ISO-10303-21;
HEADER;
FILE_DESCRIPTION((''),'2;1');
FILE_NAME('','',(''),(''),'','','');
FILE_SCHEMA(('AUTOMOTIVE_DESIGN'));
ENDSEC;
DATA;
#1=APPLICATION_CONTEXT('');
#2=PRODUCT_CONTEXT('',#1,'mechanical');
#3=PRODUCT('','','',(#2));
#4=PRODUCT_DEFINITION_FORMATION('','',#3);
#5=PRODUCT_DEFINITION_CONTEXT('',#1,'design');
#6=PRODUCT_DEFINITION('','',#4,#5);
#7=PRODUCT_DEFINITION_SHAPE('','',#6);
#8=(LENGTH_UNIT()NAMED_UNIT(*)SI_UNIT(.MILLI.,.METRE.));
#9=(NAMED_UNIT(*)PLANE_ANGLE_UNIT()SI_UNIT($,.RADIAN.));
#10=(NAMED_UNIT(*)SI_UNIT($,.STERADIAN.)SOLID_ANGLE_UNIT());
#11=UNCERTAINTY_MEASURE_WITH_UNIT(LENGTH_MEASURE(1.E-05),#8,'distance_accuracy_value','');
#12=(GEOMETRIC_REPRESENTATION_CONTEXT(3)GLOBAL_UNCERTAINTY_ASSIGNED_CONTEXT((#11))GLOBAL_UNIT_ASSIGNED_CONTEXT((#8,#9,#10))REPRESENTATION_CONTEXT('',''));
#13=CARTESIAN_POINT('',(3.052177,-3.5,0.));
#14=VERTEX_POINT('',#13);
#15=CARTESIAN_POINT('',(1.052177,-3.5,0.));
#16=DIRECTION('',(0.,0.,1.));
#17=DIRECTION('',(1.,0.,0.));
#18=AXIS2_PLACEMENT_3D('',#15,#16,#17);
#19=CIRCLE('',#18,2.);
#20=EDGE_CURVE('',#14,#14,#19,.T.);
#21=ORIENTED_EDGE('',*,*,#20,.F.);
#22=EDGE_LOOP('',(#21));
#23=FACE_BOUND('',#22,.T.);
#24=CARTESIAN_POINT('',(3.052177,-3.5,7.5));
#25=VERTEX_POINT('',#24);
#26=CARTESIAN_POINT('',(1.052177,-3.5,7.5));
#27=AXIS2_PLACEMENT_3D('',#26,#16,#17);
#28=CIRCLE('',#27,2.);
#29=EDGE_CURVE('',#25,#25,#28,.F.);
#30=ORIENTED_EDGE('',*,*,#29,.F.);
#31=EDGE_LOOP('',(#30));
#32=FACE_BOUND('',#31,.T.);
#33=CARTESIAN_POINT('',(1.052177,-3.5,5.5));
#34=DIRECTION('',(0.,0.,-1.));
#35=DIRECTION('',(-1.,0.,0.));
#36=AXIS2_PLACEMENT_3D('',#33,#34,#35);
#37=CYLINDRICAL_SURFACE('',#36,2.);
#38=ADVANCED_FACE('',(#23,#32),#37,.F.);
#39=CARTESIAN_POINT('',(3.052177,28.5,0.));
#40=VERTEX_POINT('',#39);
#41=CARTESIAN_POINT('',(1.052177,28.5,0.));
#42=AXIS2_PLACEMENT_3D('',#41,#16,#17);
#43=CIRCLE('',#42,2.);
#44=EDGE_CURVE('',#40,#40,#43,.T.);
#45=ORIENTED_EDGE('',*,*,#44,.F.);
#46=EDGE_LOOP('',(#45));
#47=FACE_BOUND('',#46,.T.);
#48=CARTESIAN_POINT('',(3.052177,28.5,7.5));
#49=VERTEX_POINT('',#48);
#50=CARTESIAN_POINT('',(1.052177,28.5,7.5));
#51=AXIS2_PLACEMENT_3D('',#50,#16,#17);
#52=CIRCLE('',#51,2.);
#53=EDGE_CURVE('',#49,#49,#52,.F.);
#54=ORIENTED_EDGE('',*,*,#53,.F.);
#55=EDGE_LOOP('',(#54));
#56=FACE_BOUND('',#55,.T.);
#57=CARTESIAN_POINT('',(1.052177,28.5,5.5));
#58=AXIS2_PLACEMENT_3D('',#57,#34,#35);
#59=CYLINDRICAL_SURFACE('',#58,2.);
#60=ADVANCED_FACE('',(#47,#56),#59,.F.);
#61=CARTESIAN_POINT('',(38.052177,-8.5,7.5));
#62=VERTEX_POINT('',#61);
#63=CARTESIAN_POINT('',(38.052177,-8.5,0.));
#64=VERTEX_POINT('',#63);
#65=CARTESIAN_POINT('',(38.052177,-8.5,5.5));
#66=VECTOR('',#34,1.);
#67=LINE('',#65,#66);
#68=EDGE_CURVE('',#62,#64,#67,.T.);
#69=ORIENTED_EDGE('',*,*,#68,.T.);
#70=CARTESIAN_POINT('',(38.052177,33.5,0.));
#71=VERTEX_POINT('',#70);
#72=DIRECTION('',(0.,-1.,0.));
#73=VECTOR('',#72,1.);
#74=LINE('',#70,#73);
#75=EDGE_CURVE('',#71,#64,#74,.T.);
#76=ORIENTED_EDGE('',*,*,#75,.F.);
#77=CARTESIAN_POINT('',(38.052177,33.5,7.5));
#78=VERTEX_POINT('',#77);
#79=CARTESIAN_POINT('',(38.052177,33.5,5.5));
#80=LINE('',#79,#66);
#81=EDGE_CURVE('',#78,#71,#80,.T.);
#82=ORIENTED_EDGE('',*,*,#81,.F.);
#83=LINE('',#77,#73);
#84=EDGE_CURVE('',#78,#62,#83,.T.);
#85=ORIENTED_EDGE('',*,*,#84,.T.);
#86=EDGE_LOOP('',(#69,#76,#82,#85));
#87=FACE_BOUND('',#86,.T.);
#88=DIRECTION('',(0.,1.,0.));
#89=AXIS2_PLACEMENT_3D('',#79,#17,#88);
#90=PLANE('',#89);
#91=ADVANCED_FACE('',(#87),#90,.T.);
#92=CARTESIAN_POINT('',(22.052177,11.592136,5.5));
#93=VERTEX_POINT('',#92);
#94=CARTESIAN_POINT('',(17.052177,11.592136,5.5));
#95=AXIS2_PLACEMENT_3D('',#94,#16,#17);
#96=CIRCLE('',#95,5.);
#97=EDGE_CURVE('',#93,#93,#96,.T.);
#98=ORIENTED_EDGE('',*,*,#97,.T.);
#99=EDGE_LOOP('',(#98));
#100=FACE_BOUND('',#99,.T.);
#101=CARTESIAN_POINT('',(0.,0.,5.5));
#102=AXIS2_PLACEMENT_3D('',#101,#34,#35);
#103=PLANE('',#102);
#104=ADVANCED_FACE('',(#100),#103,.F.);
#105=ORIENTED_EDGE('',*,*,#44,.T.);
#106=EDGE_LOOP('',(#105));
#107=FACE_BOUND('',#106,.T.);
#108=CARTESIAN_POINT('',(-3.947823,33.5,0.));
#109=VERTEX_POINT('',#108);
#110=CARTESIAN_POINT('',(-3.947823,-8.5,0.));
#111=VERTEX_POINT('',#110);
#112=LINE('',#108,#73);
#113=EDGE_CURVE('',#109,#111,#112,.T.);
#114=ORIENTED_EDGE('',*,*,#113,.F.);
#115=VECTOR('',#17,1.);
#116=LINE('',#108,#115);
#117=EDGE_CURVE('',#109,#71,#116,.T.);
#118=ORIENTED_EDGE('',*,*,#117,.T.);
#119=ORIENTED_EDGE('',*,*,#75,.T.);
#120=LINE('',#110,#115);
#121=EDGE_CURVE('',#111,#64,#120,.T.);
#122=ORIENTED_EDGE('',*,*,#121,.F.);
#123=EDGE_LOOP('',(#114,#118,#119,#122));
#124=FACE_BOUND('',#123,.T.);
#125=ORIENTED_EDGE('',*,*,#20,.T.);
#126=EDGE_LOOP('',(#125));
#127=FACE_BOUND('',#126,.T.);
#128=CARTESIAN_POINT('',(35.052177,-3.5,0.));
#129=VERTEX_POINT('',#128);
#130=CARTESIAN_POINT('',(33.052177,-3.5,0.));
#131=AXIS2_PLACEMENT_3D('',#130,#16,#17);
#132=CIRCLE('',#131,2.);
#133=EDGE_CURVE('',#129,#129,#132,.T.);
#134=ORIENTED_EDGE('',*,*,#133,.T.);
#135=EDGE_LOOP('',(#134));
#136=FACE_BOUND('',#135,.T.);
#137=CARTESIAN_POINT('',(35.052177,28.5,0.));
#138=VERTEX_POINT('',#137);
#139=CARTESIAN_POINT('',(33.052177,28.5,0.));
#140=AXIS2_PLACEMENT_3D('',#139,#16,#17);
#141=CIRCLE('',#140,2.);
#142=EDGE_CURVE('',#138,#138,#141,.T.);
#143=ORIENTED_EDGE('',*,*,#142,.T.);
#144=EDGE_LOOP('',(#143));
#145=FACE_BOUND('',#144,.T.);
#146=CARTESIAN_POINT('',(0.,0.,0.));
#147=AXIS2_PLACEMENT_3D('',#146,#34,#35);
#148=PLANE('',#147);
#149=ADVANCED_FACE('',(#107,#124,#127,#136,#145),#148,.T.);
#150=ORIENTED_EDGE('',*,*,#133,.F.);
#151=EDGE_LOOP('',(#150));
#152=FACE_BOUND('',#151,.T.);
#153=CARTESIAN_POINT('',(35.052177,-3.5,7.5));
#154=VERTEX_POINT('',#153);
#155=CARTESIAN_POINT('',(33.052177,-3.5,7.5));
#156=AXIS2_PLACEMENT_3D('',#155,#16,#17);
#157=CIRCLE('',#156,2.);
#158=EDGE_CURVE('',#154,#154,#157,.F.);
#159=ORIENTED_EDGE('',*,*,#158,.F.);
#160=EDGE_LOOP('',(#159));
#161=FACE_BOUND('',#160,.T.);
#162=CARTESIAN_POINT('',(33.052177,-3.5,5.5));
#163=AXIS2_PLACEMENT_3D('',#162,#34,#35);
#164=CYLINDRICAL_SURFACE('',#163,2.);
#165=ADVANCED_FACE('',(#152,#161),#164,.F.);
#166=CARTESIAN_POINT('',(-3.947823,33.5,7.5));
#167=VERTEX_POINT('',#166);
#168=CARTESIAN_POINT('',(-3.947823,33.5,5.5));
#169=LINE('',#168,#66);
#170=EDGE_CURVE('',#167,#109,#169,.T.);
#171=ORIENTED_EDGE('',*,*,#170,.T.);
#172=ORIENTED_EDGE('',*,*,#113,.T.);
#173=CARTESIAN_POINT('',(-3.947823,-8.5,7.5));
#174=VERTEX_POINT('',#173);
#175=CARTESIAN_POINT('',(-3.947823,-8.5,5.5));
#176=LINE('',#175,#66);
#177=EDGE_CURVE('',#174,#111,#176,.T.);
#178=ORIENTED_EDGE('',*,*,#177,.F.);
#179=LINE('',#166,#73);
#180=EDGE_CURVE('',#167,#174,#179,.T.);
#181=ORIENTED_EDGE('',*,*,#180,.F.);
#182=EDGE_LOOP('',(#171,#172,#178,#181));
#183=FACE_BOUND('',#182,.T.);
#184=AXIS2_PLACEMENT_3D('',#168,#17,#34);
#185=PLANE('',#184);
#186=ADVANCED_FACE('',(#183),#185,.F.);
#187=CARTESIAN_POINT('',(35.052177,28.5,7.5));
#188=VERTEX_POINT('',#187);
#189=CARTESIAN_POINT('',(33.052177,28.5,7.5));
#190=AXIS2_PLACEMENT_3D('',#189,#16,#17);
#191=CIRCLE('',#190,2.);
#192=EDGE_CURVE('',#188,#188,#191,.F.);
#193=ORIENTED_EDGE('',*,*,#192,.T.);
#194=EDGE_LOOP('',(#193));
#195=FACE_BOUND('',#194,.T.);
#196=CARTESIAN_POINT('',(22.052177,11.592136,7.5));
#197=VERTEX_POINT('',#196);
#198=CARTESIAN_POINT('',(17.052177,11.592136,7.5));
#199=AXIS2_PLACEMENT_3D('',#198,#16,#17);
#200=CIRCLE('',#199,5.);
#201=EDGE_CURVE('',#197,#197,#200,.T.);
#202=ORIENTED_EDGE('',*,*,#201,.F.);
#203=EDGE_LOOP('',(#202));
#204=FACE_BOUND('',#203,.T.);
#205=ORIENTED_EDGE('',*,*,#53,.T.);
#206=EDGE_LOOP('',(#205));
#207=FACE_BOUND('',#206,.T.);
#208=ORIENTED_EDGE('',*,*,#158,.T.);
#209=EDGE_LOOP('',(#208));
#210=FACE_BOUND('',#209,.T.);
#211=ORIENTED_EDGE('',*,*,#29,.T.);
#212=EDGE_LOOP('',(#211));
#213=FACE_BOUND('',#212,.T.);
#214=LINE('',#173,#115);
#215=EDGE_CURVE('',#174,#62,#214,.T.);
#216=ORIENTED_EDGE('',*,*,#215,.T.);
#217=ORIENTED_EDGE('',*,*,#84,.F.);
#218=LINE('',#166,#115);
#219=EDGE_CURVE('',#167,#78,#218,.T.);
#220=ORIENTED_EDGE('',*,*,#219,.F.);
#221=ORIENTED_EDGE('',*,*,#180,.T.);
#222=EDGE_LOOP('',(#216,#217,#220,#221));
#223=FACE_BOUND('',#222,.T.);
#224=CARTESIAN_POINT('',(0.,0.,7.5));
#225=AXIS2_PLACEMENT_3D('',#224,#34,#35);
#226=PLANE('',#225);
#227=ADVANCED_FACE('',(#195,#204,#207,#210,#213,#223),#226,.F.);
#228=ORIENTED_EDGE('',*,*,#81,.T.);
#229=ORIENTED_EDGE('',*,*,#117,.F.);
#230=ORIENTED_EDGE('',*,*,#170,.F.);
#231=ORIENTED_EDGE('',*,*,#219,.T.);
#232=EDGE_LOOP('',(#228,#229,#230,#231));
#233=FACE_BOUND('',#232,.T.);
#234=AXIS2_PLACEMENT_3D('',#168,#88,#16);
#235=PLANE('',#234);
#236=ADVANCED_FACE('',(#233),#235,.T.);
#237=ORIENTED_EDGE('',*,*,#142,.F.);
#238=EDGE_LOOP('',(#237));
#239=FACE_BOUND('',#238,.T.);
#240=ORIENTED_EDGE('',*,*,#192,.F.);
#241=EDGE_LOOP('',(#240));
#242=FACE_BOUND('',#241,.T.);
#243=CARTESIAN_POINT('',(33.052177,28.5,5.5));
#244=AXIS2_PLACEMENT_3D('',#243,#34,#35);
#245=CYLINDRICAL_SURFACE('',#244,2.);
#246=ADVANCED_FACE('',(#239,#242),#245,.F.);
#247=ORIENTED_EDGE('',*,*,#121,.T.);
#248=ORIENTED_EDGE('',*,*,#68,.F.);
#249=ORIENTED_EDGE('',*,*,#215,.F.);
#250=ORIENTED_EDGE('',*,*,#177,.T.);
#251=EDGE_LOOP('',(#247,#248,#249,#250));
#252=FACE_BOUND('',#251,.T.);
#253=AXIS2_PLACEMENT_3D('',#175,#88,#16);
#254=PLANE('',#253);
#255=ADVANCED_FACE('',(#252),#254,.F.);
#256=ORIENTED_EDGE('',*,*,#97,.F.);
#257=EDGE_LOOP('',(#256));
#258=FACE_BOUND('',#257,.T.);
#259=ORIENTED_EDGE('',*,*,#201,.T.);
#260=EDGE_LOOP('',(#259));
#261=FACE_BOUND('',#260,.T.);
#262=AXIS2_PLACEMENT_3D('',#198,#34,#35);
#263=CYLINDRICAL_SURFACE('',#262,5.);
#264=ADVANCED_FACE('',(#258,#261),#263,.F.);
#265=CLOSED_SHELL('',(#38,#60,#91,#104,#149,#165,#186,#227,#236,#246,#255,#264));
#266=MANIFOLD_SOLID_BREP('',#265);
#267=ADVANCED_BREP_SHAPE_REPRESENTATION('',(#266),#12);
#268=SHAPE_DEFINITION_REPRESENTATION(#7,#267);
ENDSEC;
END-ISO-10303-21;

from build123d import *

# Parameters (mm, degrees)
SKETCH2_W           = 42
SKETCH2_H           = 42
SKETCH2_R           = 2
BOSS_EXTRUDE3_DEPTH = 5.5
SKETCH5_W           = 42
SKETCH5_H           = 42
SKETCH5_R           = 2
SKETCH5_R_2         = 5
BOSS_EXTRUDE5_DEPTH = 2


with BuildPart() as part:
    # Sketch2 → Boss-Extrude3 (new body)
    with BuildSketch(Plane.XY):
        with Locations((17.05217694, 12.5)):
            Rectangle(SKETCH2_W, SKETCH2_H)
        with Locations((1.05217694, 28.5)):
            Circle(SKETCH2_R, mode=Mode.SUBTRACT)
        with Locations((1.05217694, -3.5)):
            Circle(SKETCH2_R, mode=Mode.SUBTRACT)
        with Locations((33.05217694, -3.5)):
            Circle(SKETCH2_R, mode=Mode.SUBTRACT)
        with Locations((33.05217694, 28.5)):
            Circle(SKETCH2_R, mode=Mode.SUBTRACT)
    extrude(amount=BOSS_EXTRUDE3_DEPTH)

    # Sketch5 → Boss-Extrude5 (add)
    with BuildSketch(Plane.XY.offset(5.5)):
        with Locations((17.05217694, 12.5)):
            Rectangle(SKETCH5_W, SKETCH5_H)
        with Locations((1.05217694, 28.5)):
            Circle(SKETCH5_R, mode=Mode.SUBTRACT)
        with Locations((33.05217694, 28.5)):
            Circle(SKETCH5_R, mode=Mode.SUBTRACT)
        with Locations((1.05217694, -3.5)):
            Circle(SKETCH5_R, mode=Mode.SUBTRACT)
        with Locations((33.05217694, -3.5)):
            Circle(SKETCH5_R, mode=Mode.SUBTRACT)
        with Locations((17.05217694, 11.592136271)):
            Circle(SKETCH5_R_2, mode=Mode.SUBTRACT)
    extrude(amount=BOSS_EXTRUDE5_DEPTH)


solid = part.part
